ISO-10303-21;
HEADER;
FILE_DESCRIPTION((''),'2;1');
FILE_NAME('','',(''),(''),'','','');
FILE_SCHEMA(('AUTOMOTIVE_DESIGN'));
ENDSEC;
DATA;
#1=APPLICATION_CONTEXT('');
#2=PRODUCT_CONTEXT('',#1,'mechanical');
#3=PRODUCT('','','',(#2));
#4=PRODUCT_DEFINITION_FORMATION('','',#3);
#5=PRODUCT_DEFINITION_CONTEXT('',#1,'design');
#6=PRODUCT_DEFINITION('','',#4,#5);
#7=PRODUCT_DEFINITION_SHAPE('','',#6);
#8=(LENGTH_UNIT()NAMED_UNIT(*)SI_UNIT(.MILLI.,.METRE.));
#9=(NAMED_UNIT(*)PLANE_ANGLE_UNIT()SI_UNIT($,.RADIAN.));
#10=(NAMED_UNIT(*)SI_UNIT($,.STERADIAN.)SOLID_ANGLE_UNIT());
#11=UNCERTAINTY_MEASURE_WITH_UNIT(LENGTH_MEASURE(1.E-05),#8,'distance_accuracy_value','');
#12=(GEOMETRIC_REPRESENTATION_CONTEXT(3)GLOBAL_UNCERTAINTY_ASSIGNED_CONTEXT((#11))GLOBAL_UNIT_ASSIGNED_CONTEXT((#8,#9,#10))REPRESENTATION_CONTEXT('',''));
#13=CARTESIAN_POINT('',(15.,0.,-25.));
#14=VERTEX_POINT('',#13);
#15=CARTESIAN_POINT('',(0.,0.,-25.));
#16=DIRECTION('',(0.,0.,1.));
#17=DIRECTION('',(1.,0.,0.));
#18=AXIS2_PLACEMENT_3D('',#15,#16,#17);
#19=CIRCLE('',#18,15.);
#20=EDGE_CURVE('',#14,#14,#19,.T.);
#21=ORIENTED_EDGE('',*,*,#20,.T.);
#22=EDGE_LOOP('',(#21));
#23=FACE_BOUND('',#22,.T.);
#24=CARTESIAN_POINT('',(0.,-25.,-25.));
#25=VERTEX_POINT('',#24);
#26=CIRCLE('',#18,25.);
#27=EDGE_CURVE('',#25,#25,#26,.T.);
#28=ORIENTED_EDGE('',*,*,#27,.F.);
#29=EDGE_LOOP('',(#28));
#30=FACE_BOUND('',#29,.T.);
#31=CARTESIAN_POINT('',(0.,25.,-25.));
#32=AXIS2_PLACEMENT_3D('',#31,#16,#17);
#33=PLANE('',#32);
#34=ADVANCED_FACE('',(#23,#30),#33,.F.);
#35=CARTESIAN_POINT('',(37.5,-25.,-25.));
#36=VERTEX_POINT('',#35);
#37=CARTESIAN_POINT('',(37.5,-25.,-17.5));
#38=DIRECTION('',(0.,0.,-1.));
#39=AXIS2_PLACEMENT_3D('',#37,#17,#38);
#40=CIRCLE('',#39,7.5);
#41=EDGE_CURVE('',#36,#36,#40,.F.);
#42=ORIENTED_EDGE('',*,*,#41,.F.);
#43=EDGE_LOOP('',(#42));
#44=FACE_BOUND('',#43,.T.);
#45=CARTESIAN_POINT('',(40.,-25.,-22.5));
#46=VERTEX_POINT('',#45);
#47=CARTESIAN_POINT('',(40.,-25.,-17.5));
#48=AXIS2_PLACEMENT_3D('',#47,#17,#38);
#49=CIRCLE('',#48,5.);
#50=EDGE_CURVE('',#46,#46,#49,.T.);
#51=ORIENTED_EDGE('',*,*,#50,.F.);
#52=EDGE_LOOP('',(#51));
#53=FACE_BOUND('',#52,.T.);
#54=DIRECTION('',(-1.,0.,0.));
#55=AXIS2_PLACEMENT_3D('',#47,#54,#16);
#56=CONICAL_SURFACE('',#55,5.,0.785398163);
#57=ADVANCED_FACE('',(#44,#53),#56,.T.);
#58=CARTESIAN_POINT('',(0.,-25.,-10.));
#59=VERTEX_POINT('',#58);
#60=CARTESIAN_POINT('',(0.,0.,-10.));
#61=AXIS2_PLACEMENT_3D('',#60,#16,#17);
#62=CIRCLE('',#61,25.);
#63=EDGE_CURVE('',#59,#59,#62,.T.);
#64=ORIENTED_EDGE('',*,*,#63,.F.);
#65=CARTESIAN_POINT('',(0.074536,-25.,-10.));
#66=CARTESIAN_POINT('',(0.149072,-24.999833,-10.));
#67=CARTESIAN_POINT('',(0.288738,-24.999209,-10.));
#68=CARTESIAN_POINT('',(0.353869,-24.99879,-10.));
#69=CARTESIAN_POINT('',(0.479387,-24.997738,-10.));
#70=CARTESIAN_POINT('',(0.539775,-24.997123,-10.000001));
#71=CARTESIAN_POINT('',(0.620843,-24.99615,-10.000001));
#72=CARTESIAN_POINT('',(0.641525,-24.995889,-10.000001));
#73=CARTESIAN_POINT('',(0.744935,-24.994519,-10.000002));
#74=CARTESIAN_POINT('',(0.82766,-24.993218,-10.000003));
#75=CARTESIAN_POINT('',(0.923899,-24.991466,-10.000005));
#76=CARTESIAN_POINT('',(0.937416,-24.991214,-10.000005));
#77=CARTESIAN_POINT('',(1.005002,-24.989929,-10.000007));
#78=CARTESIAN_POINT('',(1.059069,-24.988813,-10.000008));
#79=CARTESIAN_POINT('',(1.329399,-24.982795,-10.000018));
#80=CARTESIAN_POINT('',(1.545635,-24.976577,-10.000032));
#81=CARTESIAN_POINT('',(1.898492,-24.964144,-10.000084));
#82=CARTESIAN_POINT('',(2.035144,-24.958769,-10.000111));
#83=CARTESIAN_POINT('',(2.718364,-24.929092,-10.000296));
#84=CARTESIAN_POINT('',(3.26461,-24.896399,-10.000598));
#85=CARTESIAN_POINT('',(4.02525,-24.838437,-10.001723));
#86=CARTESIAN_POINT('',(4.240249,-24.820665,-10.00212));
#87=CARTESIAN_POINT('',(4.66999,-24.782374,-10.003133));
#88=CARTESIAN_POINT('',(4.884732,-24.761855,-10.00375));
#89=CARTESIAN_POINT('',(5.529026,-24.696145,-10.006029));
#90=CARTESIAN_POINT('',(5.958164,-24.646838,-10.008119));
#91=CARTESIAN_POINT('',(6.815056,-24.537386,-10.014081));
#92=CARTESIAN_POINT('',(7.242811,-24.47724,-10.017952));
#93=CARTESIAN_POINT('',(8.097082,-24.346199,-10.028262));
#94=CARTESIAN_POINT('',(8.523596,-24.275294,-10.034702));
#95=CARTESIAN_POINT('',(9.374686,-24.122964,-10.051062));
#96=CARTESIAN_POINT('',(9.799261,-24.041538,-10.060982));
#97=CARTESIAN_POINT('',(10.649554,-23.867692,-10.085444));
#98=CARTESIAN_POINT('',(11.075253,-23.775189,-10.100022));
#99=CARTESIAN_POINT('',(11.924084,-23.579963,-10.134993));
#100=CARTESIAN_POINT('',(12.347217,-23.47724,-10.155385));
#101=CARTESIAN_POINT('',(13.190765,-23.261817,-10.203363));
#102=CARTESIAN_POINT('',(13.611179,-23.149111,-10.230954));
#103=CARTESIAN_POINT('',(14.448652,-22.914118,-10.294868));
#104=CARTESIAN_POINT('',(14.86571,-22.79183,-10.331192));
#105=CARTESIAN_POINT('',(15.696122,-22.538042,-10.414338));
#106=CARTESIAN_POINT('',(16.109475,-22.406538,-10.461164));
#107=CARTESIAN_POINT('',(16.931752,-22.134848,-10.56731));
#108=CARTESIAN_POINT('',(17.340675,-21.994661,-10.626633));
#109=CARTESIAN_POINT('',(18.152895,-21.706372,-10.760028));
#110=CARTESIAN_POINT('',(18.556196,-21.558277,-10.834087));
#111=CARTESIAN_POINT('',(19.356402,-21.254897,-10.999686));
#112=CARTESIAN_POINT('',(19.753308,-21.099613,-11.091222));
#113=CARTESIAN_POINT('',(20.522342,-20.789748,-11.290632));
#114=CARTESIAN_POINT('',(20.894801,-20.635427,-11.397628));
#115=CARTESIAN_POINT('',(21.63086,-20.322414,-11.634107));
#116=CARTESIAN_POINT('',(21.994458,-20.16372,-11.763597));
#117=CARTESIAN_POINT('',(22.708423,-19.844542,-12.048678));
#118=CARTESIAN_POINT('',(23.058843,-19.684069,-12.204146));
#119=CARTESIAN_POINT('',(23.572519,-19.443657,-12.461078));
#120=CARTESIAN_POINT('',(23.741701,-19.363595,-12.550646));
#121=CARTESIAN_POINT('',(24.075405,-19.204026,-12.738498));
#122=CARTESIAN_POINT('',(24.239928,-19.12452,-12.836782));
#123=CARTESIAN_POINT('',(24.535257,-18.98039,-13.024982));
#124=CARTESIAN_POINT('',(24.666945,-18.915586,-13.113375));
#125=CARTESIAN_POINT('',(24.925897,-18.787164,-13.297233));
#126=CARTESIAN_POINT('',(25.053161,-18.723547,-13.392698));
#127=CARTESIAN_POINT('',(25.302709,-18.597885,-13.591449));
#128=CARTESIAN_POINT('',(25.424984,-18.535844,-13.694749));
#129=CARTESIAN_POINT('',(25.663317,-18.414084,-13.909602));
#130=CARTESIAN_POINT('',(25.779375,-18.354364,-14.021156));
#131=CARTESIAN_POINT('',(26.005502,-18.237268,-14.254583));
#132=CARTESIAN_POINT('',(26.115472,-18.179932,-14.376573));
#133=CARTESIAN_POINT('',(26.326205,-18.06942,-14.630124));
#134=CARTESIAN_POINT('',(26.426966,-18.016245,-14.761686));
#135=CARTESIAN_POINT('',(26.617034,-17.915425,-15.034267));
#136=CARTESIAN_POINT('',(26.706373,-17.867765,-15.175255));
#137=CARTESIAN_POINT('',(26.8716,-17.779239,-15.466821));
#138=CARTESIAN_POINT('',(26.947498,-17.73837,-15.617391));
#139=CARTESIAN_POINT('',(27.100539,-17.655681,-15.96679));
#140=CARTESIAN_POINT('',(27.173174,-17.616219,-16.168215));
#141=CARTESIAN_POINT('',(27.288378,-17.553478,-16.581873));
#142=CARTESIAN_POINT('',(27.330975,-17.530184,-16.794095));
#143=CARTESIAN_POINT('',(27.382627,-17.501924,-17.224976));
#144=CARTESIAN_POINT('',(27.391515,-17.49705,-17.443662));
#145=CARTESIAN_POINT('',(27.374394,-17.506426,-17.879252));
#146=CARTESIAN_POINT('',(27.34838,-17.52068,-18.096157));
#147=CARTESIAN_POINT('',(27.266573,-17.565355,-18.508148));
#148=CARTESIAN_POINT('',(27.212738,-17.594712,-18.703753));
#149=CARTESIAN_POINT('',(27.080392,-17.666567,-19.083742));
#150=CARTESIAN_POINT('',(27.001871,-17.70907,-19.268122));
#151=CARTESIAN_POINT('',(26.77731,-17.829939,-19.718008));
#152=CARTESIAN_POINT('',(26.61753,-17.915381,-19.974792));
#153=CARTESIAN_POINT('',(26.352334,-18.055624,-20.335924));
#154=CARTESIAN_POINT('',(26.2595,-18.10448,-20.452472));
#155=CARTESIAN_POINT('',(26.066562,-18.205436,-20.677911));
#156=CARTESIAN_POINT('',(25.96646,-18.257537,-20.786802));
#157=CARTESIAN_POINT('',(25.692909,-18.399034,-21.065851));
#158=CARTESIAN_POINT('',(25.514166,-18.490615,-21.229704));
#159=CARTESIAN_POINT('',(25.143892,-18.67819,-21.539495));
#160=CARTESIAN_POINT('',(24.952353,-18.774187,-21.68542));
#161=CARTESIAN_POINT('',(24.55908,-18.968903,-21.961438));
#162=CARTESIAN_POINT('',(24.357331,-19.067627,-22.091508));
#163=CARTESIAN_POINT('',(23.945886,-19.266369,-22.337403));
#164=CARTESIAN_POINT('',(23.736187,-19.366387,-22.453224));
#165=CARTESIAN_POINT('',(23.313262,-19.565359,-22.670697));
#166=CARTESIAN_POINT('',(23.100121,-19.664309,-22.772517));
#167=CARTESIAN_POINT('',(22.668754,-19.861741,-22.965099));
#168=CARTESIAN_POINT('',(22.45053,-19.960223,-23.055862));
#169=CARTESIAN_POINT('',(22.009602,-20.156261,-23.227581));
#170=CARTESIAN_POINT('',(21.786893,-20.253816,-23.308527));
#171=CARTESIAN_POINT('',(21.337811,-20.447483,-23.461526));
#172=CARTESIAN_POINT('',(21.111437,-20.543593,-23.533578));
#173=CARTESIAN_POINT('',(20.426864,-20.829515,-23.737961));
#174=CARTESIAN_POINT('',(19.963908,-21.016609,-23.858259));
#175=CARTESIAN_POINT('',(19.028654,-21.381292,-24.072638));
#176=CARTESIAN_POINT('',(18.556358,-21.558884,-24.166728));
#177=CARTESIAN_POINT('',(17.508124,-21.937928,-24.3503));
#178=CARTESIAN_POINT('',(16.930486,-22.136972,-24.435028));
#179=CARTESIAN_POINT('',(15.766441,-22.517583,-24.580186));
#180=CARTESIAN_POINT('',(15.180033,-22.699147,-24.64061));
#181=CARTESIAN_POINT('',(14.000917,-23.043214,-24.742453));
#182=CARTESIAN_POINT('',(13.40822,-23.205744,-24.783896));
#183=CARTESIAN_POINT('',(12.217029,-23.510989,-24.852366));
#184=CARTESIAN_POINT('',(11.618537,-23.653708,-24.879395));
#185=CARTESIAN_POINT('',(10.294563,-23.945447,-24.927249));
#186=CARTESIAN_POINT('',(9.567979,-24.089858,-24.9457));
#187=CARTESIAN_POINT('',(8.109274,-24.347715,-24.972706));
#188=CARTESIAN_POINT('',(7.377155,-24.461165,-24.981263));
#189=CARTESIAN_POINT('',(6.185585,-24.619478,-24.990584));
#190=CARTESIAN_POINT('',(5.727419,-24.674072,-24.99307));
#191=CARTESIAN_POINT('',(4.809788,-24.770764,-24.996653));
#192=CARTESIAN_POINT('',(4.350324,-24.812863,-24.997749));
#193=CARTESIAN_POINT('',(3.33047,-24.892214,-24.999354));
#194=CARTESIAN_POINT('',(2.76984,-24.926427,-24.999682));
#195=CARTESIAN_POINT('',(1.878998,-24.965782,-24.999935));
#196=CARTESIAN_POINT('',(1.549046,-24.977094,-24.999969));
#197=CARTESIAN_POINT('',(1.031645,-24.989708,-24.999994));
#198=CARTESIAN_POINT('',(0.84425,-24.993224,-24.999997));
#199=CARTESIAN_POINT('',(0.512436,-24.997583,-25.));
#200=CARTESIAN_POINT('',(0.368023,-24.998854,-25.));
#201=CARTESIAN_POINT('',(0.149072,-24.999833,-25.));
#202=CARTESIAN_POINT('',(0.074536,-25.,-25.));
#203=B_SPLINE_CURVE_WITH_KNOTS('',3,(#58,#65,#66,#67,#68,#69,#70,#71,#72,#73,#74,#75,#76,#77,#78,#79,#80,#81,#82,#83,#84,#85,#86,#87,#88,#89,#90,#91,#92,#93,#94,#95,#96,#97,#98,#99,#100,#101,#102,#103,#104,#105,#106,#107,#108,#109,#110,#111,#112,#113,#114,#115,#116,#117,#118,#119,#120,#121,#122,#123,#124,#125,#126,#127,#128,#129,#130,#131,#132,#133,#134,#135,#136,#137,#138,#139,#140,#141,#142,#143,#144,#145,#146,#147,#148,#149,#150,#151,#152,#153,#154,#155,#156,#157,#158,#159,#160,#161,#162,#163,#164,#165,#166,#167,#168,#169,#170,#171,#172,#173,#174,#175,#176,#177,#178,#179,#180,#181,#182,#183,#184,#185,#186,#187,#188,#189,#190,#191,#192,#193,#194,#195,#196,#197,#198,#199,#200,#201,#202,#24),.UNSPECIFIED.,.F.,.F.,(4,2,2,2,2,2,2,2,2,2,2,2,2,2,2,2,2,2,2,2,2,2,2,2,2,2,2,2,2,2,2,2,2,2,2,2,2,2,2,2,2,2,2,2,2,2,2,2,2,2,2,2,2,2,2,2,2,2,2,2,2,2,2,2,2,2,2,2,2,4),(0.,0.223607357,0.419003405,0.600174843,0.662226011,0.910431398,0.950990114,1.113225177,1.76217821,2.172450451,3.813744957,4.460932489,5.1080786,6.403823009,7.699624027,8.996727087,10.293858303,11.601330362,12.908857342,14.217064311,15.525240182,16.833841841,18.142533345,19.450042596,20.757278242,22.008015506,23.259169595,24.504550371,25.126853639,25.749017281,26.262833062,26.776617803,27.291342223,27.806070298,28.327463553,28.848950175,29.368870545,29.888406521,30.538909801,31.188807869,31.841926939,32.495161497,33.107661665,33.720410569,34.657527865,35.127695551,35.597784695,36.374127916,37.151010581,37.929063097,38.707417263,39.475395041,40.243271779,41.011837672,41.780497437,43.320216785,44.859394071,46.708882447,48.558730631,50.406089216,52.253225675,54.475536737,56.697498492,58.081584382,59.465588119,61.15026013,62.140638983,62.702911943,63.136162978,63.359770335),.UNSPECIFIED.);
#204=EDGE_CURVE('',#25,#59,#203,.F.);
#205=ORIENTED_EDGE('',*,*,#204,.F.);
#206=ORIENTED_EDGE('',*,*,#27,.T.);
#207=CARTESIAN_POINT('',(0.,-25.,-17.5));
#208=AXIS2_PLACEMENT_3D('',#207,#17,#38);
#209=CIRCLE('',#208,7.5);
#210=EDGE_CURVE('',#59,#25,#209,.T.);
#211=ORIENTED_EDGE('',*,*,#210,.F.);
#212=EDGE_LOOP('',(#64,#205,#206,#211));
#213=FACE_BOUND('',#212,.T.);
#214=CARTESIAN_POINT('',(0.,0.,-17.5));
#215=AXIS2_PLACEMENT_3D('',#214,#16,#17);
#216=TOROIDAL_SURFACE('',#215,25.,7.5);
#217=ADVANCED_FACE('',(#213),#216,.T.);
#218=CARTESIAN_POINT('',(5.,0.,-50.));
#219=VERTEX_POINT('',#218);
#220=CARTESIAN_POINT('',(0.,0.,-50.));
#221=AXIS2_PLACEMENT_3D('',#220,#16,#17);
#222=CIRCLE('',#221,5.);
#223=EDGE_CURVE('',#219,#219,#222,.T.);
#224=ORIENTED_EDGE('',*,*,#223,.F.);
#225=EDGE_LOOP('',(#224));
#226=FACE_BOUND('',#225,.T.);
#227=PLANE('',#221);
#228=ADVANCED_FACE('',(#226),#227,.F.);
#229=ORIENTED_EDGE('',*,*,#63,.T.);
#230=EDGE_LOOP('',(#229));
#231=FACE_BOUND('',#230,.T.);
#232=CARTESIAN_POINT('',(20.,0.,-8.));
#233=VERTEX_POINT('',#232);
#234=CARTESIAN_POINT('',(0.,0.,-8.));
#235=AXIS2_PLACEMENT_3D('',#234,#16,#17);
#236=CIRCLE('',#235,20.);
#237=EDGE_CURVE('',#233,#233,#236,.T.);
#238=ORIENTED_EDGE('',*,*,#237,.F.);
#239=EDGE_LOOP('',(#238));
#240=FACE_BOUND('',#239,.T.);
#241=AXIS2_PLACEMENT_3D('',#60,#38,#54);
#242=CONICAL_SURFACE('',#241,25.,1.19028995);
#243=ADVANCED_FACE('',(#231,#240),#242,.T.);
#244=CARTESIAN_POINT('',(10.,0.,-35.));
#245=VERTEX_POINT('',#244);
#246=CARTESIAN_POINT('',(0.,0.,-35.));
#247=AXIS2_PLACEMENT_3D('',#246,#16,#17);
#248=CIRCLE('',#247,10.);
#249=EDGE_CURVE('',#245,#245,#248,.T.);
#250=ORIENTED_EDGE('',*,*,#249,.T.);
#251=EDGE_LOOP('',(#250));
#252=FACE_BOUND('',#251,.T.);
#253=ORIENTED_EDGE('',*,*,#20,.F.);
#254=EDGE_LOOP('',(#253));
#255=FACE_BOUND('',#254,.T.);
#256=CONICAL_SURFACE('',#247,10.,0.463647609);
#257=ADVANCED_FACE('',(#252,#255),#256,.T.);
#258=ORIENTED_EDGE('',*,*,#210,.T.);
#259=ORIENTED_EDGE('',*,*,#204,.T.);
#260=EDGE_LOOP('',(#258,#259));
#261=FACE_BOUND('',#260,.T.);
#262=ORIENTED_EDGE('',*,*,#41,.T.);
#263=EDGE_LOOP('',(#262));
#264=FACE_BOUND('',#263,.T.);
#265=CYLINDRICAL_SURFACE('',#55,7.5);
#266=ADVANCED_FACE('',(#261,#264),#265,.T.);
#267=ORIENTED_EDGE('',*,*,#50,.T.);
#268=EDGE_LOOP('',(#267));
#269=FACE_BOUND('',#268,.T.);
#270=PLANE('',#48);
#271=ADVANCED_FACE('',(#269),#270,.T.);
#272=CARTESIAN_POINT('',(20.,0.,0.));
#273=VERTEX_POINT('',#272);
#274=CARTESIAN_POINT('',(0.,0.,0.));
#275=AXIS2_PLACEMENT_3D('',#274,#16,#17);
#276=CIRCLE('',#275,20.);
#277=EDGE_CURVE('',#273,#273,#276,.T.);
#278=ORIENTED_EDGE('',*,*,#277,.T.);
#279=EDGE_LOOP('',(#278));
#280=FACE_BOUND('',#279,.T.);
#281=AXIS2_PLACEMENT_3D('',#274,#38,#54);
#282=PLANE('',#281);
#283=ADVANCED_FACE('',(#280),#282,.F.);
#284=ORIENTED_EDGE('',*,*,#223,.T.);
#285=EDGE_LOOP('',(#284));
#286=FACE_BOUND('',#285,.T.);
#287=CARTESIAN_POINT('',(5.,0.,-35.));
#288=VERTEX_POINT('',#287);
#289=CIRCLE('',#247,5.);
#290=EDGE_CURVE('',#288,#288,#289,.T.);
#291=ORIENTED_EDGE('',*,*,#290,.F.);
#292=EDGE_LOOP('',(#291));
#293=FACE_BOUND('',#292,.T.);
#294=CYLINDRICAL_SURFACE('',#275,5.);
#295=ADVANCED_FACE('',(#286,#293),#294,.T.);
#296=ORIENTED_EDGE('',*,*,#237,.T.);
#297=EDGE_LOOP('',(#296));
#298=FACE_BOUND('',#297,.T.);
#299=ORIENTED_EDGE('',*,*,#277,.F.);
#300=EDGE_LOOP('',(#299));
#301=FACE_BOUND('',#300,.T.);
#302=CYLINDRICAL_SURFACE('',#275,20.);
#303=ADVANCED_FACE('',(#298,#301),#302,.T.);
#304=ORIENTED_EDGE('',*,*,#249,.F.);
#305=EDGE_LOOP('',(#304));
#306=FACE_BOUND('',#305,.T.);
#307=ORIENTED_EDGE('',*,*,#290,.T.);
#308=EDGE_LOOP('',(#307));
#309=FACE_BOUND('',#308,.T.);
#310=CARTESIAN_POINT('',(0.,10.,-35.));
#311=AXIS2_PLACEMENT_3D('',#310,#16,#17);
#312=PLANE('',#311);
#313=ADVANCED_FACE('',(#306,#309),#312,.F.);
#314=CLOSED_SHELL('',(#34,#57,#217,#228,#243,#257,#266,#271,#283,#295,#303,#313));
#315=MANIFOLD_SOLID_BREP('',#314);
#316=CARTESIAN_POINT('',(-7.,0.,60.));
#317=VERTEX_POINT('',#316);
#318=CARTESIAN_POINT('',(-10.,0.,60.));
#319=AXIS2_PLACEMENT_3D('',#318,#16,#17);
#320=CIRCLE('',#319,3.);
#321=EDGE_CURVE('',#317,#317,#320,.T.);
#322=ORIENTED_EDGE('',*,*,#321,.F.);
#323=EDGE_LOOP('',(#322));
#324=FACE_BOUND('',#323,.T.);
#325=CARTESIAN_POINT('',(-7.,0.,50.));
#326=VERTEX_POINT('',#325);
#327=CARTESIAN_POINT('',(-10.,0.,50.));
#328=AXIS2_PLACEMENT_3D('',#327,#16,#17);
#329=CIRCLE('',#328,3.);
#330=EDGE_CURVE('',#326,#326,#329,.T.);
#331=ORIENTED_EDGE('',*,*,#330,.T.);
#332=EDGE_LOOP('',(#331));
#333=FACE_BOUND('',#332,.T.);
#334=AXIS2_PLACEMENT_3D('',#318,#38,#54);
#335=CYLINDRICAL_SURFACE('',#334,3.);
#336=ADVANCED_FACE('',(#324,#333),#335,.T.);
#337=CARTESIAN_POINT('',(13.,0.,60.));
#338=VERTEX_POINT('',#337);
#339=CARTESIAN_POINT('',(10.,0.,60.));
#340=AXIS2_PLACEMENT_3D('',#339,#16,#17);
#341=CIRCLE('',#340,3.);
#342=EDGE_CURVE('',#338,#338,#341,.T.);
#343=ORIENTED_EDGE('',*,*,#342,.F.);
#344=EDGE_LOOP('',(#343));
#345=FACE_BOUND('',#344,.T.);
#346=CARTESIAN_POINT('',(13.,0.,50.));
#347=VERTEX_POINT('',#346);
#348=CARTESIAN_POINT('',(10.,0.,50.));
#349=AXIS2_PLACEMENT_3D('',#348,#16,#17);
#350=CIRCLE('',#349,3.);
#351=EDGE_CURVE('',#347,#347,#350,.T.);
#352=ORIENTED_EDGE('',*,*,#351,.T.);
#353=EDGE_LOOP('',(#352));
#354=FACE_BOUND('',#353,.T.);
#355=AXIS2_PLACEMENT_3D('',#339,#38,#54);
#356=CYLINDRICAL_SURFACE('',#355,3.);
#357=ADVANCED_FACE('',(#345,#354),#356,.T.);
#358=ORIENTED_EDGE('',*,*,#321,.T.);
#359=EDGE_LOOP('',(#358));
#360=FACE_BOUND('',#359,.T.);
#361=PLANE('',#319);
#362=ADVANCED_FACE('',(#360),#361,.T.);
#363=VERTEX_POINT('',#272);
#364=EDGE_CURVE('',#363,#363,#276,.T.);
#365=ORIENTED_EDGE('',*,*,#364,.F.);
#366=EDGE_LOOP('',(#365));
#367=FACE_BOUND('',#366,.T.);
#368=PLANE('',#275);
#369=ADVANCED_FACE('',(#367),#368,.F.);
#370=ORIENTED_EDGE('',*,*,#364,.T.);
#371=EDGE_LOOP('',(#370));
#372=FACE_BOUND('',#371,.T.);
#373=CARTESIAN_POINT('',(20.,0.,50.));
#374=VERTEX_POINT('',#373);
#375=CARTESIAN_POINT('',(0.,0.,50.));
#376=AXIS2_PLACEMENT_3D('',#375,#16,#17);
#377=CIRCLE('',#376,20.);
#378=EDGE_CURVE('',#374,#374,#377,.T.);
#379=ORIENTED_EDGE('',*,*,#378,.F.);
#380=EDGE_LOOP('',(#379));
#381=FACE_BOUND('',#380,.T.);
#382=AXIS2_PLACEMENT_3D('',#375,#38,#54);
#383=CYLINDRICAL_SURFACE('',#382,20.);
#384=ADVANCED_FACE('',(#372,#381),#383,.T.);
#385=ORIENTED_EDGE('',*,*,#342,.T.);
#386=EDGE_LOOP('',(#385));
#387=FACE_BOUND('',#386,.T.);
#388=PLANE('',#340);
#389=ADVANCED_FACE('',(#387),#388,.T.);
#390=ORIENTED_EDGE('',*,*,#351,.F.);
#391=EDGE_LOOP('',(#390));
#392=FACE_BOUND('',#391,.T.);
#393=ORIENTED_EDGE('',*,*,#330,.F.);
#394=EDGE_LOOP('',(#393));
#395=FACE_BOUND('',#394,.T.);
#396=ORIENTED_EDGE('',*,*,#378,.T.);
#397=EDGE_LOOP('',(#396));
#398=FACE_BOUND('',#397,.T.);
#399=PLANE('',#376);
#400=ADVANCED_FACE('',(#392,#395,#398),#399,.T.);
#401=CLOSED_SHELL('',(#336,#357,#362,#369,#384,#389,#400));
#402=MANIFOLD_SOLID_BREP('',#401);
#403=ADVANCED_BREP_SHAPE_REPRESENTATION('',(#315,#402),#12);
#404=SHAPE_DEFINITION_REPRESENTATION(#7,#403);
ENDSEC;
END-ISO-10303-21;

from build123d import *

# Parameters (mm, degrees)
SKETCH1_R           = 20
BOSS_EXTRUDE1_DEPTH = 50
SKETCH4_R           = 7.5
BOSS_EXTRUDE2_DEPTH = 40
CHAMFER1_SIZE       = 2.5
SKETCH6_R           = 3
BOSS_EXTRUDE4_DEPTH = 10


with BuildPart() as part:
    # Sketch1 → Boss-Extrude1 (new body)
    with BuildSketch(Plane.XY):
        Circle(SKETCH1_R)
    extrude(amount=BOSS_EXTRUDE1_DEPTH)

    # Sketch6 → Boss-Extrude4 (add)
    with BuildSketch(Plane.XY.offset(50)):
        with Locations((10, 0)):
            Circle(SKETCH6_R)
        with Locations((-10, 0)):
            Circle(SKETCH6_R)
    extrude(amount=BOSS_EXTRUDE4_DEPTH)


with BuildPart() as body_2:
    # Sketch3 → Revolve1 (revolve)
    with BuildSketch(Plane(origin=(0, 0, 0), x_dir=(0, 0, -1), z_dir=(1, 0, 0)), mode=Mode.PRIVATE) as revolve1_sk:
        with BuildLine():
            Line((0, 0), (0, 20))
            Line((0, 20), (8, 20))
            Line((8, 20), (10, 25))
            ThreePointArc((10, 25), (17.5, 32.5), (25, 25))
            Line((25, 25), (25, 15))
            Line((25, 15), (35, 10))
            Line((35, 10), (35, 5))
            Line((35, 5), (50, 5))
            Line((50, 5), (50, 0))
            Line((50, 0), (0, 0))
        make_face()
    revolve(revolve1_sk.sketch.rotate(Axis((0, 0, 0), (0, 0, -1)), 90), axis=Axis((0, 0, 0), (0, 0, -1)))

    # Sketch4 → Boss-Extrude2 (add)
    with BuildSketch(Plane(origin=(0, 0, 0), x_dir=(0, 0, -1), z_dir=(1, 0, 0))):
        with Locations((17.5, -25)):
            Circle(SKETCH4_R)
    extrude(amount=BOSS_EXTRUDE2_DEPTH)

    # Chamfer1
    chamfer1_edges = [body_2.edges().sort_by_distance(p)[0] for p in [
        (40, -25, -10),
    ]]
    chamfer(chamfer1_edges, length=CHAMFER1_SIZE)


solid = Compound([part.part, body_2.part])
